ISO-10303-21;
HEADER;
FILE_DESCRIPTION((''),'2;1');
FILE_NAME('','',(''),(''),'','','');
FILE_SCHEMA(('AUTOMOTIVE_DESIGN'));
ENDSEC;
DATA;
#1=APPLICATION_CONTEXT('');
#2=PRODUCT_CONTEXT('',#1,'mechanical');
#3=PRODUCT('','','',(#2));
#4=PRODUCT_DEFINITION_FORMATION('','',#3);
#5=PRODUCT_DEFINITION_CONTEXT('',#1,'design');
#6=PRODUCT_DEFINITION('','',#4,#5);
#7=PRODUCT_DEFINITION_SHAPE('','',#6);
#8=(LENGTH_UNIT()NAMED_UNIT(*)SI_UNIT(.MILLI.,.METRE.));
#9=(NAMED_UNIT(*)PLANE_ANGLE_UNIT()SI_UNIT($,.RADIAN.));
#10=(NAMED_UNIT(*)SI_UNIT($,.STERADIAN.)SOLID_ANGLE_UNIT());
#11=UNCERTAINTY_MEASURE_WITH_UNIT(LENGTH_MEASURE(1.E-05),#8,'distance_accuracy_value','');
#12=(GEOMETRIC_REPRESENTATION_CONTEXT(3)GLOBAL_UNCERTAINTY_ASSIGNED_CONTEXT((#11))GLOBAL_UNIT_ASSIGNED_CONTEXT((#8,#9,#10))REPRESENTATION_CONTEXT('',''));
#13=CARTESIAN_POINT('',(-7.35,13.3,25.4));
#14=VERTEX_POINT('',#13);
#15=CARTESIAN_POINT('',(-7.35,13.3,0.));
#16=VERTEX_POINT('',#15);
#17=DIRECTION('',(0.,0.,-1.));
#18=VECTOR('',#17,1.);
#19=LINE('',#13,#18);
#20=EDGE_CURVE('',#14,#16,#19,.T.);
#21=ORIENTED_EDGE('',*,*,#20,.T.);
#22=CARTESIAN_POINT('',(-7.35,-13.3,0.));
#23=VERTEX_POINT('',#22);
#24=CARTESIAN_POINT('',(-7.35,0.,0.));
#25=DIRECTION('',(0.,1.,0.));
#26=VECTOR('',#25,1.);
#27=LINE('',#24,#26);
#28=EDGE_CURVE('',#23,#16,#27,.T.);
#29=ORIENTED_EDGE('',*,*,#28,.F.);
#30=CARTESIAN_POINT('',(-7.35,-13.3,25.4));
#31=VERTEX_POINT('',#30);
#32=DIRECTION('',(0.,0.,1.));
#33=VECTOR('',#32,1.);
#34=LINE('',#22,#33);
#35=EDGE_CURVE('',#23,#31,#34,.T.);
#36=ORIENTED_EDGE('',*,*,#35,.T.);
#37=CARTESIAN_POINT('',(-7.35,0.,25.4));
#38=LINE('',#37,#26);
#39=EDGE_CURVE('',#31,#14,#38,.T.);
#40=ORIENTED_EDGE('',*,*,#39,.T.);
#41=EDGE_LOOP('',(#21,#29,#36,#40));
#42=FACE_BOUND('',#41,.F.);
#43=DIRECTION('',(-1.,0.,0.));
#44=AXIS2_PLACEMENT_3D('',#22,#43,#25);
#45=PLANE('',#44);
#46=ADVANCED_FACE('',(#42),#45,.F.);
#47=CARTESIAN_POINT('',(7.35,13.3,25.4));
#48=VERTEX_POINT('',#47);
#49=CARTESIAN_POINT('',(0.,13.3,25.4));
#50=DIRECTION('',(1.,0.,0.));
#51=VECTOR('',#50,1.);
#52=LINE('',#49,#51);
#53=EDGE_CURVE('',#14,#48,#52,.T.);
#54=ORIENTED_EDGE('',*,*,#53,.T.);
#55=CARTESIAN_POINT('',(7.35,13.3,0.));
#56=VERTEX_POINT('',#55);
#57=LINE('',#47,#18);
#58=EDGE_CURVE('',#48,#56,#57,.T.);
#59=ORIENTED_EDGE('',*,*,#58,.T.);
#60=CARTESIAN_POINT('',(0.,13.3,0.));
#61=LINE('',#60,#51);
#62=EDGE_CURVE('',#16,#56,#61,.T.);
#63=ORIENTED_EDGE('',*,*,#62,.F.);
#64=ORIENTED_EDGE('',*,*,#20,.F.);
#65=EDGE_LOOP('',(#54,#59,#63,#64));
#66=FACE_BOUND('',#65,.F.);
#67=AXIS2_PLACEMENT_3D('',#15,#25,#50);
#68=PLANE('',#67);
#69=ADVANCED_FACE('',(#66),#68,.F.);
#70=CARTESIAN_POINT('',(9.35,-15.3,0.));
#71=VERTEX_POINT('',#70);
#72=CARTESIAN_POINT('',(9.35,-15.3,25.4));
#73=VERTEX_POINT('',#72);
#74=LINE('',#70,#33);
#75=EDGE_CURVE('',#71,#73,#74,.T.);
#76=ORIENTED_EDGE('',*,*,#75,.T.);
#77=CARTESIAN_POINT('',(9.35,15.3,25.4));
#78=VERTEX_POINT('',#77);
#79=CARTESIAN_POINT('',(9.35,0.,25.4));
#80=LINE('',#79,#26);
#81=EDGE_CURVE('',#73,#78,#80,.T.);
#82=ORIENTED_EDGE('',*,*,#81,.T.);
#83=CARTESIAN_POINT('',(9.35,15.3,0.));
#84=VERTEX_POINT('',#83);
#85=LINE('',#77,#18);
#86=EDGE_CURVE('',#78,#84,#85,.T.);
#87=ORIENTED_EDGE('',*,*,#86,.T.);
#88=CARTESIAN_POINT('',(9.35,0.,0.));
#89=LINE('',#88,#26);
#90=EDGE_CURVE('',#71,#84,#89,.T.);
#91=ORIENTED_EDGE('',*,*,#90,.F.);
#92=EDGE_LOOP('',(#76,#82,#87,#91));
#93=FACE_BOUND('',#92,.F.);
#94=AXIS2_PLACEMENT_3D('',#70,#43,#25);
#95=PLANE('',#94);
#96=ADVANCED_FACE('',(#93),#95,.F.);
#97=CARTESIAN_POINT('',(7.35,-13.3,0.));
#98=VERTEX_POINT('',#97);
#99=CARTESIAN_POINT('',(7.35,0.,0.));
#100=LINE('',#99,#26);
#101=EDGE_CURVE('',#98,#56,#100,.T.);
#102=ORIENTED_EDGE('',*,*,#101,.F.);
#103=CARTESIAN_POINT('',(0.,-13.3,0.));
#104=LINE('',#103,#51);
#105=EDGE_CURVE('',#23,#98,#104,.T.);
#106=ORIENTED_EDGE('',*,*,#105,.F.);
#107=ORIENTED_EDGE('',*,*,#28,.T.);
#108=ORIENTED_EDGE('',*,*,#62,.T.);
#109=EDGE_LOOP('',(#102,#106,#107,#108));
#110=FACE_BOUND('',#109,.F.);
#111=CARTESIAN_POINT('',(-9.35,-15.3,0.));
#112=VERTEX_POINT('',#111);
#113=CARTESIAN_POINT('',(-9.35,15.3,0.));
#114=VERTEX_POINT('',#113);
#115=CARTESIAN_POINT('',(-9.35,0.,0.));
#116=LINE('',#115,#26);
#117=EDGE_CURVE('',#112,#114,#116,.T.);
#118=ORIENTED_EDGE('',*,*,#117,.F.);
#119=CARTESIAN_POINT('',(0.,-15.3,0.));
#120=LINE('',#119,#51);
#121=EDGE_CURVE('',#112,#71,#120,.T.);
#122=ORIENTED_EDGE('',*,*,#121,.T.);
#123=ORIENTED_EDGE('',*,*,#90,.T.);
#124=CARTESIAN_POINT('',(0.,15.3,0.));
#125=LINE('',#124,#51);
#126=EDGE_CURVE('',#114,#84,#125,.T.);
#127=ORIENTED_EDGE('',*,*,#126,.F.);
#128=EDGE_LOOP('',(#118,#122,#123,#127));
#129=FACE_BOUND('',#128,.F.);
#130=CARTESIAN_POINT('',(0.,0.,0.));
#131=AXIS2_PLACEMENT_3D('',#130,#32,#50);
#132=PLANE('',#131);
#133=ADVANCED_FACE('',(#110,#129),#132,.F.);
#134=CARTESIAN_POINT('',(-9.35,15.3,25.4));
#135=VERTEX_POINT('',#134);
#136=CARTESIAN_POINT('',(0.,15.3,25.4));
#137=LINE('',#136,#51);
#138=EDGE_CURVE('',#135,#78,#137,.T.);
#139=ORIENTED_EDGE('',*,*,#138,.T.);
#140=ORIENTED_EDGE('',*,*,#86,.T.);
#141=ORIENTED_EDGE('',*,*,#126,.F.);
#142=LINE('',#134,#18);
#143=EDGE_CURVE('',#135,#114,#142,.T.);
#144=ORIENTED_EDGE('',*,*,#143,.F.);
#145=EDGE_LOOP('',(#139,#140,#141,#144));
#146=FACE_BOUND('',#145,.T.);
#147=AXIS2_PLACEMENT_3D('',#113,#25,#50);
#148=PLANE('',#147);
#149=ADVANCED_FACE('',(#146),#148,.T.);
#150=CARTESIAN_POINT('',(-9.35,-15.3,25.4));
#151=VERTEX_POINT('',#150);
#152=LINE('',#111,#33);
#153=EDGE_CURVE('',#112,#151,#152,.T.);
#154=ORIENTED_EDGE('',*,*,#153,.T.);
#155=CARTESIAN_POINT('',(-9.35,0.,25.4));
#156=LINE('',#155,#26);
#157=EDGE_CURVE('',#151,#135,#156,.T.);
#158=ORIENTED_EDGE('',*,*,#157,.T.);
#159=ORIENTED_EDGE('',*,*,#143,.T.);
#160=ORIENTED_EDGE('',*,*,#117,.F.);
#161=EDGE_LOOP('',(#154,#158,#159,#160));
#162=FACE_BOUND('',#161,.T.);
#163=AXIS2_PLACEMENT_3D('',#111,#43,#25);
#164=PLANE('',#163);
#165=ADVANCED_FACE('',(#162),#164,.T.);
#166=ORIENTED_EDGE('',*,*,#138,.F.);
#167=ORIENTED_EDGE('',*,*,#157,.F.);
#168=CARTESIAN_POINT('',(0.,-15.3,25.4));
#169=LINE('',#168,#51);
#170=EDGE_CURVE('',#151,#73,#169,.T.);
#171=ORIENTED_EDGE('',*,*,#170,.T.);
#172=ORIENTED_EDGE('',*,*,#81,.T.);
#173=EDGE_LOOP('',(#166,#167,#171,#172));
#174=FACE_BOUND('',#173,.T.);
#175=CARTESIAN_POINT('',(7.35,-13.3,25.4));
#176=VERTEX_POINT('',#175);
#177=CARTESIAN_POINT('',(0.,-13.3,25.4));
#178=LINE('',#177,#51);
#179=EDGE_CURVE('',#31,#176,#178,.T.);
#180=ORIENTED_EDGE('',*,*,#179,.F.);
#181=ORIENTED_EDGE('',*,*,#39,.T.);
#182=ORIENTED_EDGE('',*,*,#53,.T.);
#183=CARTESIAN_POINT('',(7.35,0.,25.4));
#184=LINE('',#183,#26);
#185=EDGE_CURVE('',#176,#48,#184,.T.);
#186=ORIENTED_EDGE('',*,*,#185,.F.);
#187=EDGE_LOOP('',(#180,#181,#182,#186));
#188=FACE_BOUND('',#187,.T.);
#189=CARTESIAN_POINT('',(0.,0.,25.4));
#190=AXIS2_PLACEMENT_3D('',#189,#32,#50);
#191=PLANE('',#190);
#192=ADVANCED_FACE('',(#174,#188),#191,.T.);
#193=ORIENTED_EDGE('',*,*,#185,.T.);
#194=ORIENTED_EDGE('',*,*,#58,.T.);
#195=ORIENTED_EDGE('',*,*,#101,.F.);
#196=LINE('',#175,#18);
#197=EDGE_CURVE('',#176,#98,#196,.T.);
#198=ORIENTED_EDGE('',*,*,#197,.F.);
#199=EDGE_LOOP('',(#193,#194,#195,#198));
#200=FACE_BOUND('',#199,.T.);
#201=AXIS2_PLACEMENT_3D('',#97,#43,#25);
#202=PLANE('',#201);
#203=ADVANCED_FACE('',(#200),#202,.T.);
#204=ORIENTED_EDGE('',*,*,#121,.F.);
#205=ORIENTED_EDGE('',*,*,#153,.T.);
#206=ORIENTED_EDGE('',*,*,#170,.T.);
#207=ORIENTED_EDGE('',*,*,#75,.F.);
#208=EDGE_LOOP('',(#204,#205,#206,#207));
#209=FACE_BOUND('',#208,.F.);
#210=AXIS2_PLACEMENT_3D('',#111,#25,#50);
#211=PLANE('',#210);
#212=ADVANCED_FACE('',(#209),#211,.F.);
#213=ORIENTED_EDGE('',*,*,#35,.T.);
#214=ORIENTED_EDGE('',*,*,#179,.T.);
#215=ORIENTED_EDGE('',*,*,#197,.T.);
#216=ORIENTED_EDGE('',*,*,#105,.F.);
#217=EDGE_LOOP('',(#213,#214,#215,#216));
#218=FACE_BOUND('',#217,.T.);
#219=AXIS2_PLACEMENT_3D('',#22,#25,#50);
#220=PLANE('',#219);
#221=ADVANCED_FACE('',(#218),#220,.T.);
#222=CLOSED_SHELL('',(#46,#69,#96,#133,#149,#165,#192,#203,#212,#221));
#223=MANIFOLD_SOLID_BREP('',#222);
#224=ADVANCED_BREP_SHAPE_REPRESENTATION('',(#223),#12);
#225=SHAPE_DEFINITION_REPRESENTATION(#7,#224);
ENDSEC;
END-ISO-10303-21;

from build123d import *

# Parameters (mm, degrees)
F0_W     = 18.7
F0_H     = 30.6
F0_W_2   = 14.7
F0_H_2   = 26.6
F1_DEPTH = 25
F2_DEPTH = 25.4


with BuildPart() as f1:
    # F0 (on Top) → F1 (new body)
    with BuildSketch(Plane.XY):
        Rectangle(F0_W, F0_H)
        Rectangle(F0_W_2, F0_H_2, mode=Mode.SUBTRACT)
    extrude(amount=F1_DEPTH)

    # F0 (on Top) → F2 (join)
    with BuildSketch(Plane.XY):
        Rectangle(F0_W, F0_H)
        Rectangle(F0_W_2, F0_H_2, mode=Mode.SUBTRACT)
    extrude(amount=F2_DEPTH)


solid = f1.part
